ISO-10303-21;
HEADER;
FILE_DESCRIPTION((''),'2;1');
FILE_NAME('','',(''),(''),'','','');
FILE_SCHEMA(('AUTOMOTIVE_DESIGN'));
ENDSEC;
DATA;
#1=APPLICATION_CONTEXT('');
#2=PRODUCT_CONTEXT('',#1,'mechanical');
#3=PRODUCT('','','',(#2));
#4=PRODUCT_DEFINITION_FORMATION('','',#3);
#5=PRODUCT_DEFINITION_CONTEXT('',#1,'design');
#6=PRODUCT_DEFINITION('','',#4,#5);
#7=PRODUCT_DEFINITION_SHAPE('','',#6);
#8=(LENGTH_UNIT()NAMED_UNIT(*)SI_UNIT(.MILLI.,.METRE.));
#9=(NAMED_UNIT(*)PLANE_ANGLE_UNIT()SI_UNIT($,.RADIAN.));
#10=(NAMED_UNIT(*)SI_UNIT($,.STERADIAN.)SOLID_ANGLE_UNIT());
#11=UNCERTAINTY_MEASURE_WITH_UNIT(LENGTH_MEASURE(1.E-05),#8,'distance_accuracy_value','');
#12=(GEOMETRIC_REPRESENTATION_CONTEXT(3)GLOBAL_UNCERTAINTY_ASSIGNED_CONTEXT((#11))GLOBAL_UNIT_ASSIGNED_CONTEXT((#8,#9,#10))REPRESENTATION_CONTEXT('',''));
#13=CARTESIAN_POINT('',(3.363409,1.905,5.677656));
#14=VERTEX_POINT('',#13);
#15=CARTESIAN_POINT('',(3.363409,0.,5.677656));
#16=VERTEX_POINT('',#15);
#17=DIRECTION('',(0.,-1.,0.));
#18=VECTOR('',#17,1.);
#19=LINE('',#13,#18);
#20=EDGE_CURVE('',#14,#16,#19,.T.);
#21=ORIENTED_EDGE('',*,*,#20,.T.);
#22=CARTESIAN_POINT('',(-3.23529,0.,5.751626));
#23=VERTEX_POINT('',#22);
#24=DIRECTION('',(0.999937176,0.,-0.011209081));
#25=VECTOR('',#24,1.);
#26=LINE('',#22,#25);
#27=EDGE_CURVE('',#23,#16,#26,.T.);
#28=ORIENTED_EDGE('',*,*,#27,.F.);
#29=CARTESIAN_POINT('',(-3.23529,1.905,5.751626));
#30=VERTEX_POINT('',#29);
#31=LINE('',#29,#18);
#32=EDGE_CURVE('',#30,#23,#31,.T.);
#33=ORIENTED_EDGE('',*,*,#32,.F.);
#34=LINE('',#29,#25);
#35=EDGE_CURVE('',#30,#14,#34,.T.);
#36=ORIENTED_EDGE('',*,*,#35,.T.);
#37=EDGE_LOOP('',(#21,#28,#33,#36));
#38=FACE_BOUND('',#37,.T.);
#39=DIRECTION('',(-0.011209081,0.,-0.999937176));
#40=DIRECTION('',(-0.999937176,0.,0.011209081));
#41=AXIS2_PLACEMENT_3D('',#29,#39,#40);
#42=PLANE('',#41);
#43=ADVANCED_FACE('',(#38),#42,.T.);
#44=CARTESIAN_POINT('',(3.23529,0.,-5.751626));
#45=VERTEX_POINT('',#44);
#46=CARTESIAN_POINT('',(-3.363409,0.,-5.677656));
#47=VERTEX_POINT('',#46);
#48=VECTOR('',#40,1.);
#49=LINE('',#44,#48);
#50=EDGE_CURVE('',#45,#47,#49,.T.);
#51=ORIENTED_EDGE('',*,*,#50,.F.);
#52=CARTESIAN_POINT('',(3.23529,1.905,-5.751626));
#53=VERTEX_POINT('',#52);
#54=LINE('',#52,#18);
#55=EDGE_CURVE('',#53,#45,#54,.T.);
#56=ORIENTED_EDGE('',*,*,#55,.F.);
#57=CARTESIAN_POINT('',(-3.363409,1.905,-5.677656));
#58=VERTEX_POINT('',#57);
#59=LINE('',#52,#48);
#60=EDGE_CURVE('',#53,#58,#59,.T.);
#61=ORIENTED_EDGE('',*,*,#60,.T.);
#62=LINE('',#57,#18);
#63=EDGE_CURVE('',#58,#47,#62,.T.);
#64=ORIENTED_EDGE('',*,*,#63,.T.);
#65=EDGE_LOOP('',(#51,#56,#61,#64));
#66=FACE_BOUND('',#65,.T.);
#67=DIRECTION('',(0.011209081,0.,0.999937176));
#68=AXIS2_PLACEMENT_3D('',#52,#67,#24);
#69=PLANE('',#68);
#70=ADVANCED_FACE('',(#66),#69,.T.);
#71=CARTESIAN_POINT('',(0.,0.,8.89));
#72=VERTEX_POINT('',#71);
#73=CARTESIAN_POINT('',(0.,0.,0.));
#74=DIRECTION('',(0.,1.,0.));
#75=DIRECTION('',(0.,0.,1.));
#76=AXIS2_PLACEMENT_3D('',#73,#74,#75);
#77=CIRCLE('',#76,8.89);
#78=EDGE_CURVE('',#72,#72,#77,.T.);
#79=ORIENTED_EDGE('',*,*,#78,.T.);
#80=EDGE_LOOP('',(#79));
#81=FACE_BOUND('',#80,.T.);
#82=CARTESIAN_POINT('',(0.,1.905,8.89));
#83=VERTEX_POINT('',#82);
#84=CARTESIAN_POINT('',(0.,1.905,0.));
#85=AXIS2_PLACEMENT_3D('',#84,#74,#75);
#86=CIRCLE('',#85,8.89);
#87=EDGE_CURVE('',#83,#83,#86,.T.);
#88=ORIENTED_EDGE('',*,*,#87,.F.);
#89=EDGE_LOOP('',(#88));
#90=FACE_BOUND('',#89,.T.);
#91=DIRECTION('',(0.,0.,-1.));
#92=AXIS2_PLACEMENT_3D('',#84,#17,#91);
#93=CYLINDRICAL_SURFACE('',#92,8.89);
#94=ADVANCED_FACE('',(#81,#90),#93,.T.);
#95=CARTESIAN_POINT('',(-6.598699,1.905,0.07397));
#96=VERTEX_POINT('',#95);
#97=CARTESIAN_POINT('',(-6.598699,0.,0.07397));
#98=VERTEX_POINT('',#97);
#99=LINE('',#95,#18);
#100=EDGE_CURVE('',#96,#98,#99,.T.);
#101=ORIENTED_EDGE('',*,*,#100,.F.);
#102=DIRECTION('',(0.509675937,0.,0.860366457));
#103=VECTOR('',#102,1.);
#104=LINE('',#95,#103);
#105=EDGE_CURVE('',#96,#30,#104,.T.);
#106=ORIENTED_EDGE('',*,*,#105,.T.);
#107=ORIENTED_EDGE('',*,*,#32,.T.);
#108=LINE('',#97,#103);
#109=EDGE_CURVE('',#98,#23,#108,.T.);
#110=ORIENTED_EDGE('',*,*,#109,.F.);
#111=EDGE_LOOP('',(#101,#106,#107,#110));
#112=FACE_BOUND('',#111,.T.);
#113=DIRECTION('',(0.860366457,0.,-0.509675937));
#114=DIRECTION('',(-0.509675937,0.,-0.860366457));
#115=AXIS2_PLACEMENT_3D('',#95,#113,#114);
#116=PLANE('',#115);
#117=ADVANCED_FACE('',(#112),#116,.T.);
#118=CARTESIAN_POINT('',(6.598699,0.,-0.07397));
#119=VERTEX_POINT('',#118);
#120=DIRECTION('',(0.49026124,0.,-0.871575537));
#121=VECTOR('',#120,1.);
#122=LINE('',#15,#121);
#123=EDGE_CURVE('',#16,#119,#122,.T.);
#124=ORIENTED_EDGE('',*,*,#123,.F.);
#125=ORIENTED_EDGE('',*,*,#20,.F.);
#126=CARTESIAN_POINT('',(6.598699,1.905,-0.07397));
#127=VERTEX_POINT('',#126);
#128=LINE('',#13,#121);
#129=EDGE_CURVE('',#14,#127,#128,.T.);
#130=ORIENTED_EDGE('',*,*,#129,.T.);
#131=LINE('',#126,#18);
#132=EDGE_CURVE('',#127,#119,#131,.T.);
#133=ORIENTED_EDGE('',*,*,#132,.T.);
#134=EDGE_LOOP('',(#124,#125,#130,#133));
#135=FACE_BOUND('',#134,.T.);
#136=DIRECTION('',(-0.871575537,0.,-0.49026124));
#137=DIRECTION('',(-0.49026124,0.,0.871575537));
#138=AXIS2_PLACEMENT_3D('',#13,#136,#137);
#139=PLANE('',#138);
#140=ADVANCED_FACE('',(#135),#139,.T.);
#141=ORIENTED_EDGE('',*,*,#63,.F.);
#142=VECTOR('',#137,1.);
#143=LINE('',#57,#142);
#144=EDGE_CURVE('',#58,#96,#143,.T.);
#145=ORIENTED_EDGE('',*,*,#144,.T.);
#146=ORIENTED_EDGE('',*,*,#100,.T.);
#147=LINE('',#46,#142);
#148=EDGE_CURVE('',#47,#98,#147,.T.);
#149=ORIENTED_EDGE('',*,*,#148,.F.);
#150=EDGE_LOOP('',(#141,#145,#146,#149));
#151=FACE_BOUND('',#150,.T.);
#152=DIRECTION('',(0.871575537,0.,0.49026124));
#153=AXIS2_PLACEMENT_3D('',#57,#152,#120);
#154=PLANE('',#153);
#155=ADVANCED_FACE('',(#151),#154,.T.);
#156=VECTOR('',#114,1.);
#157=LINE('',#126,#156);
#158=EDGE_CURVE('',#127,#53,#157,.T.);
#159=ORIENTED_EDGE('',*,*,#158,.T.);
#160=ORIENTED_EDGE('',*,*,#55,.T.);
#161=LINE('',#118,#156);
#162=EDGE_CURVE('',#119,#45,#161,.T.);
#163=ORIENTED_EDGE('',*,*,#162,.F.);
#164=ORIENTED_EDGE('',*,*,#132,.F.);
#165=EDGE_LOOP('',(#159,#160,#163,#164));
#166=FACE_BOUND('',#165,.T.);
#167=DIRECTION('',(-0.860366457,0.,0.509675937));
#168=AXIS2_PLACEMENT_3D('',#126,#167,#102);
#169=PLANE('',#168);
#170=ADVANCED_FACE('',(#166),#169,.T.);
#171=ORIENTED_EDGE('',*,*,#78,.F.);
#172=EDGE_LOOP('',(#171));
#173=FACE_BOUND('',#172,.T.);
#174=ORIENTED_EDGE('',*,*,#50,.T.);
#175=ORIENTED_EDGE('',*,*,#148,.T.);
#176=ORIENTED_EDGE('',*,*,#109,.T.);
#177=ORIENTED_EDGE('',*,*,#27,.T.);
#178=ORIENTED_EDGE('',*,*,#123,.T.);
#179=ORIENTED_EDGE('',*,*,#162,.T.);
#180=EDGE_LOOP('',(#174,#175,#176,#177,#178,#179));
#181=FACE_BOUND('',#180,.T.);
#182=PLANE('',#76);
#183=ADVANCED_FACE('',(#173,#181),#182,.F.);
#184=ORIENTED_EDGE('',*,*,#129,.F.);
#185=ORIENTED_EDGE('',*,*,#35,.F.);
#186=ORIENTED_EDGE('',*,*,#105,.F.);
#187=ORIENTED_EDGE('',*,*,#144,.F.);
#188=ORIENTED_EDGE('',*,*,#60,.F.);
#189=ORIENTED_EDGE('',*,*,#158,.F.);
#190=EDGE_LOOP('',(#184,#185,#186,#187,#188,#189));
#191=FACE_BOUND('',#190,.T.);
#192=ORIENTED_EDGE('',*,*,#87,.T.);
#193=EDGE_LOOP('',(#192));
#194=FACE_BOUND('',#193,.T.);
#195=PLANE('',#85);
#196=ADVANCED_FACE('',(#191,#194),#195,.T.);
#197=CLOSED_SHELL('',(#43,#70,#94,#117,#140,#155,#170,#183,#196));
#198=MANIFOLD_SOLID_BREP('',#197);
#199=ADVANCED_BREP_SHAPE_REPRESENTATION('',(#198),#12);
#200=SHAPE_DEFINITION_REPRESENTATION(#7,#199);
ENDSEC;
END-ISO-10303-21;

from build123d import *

# Parameters (mm, degrees)
SKETCH1_R           = 8.89
BOSS_EXTRUDE1_DEPTH = 1.905


with BuildPart() as part:
    # Sketch1 → Boss-Extrude1 (new body)
    with BuildSketch(Plane(origin=(0, 0, 0), x_dir=(1, 0, 0), z_dir=(0, 1, 0))):
        Circle(SKETCH1_R)
        Polygon((-3.235289603, -5.75162596), (3.363409393, -5.677655965), (6.598698996, 0.073969996), (3.235289603, 5.75162596), (-3.363409393, 5.677655965), (-6.598698996, -0.073969996), align=None, mode=Mode.SUBTRACT)
    extrude(amount=BOSS_EXTRUDE1_DEPTH)


solid = part.part
